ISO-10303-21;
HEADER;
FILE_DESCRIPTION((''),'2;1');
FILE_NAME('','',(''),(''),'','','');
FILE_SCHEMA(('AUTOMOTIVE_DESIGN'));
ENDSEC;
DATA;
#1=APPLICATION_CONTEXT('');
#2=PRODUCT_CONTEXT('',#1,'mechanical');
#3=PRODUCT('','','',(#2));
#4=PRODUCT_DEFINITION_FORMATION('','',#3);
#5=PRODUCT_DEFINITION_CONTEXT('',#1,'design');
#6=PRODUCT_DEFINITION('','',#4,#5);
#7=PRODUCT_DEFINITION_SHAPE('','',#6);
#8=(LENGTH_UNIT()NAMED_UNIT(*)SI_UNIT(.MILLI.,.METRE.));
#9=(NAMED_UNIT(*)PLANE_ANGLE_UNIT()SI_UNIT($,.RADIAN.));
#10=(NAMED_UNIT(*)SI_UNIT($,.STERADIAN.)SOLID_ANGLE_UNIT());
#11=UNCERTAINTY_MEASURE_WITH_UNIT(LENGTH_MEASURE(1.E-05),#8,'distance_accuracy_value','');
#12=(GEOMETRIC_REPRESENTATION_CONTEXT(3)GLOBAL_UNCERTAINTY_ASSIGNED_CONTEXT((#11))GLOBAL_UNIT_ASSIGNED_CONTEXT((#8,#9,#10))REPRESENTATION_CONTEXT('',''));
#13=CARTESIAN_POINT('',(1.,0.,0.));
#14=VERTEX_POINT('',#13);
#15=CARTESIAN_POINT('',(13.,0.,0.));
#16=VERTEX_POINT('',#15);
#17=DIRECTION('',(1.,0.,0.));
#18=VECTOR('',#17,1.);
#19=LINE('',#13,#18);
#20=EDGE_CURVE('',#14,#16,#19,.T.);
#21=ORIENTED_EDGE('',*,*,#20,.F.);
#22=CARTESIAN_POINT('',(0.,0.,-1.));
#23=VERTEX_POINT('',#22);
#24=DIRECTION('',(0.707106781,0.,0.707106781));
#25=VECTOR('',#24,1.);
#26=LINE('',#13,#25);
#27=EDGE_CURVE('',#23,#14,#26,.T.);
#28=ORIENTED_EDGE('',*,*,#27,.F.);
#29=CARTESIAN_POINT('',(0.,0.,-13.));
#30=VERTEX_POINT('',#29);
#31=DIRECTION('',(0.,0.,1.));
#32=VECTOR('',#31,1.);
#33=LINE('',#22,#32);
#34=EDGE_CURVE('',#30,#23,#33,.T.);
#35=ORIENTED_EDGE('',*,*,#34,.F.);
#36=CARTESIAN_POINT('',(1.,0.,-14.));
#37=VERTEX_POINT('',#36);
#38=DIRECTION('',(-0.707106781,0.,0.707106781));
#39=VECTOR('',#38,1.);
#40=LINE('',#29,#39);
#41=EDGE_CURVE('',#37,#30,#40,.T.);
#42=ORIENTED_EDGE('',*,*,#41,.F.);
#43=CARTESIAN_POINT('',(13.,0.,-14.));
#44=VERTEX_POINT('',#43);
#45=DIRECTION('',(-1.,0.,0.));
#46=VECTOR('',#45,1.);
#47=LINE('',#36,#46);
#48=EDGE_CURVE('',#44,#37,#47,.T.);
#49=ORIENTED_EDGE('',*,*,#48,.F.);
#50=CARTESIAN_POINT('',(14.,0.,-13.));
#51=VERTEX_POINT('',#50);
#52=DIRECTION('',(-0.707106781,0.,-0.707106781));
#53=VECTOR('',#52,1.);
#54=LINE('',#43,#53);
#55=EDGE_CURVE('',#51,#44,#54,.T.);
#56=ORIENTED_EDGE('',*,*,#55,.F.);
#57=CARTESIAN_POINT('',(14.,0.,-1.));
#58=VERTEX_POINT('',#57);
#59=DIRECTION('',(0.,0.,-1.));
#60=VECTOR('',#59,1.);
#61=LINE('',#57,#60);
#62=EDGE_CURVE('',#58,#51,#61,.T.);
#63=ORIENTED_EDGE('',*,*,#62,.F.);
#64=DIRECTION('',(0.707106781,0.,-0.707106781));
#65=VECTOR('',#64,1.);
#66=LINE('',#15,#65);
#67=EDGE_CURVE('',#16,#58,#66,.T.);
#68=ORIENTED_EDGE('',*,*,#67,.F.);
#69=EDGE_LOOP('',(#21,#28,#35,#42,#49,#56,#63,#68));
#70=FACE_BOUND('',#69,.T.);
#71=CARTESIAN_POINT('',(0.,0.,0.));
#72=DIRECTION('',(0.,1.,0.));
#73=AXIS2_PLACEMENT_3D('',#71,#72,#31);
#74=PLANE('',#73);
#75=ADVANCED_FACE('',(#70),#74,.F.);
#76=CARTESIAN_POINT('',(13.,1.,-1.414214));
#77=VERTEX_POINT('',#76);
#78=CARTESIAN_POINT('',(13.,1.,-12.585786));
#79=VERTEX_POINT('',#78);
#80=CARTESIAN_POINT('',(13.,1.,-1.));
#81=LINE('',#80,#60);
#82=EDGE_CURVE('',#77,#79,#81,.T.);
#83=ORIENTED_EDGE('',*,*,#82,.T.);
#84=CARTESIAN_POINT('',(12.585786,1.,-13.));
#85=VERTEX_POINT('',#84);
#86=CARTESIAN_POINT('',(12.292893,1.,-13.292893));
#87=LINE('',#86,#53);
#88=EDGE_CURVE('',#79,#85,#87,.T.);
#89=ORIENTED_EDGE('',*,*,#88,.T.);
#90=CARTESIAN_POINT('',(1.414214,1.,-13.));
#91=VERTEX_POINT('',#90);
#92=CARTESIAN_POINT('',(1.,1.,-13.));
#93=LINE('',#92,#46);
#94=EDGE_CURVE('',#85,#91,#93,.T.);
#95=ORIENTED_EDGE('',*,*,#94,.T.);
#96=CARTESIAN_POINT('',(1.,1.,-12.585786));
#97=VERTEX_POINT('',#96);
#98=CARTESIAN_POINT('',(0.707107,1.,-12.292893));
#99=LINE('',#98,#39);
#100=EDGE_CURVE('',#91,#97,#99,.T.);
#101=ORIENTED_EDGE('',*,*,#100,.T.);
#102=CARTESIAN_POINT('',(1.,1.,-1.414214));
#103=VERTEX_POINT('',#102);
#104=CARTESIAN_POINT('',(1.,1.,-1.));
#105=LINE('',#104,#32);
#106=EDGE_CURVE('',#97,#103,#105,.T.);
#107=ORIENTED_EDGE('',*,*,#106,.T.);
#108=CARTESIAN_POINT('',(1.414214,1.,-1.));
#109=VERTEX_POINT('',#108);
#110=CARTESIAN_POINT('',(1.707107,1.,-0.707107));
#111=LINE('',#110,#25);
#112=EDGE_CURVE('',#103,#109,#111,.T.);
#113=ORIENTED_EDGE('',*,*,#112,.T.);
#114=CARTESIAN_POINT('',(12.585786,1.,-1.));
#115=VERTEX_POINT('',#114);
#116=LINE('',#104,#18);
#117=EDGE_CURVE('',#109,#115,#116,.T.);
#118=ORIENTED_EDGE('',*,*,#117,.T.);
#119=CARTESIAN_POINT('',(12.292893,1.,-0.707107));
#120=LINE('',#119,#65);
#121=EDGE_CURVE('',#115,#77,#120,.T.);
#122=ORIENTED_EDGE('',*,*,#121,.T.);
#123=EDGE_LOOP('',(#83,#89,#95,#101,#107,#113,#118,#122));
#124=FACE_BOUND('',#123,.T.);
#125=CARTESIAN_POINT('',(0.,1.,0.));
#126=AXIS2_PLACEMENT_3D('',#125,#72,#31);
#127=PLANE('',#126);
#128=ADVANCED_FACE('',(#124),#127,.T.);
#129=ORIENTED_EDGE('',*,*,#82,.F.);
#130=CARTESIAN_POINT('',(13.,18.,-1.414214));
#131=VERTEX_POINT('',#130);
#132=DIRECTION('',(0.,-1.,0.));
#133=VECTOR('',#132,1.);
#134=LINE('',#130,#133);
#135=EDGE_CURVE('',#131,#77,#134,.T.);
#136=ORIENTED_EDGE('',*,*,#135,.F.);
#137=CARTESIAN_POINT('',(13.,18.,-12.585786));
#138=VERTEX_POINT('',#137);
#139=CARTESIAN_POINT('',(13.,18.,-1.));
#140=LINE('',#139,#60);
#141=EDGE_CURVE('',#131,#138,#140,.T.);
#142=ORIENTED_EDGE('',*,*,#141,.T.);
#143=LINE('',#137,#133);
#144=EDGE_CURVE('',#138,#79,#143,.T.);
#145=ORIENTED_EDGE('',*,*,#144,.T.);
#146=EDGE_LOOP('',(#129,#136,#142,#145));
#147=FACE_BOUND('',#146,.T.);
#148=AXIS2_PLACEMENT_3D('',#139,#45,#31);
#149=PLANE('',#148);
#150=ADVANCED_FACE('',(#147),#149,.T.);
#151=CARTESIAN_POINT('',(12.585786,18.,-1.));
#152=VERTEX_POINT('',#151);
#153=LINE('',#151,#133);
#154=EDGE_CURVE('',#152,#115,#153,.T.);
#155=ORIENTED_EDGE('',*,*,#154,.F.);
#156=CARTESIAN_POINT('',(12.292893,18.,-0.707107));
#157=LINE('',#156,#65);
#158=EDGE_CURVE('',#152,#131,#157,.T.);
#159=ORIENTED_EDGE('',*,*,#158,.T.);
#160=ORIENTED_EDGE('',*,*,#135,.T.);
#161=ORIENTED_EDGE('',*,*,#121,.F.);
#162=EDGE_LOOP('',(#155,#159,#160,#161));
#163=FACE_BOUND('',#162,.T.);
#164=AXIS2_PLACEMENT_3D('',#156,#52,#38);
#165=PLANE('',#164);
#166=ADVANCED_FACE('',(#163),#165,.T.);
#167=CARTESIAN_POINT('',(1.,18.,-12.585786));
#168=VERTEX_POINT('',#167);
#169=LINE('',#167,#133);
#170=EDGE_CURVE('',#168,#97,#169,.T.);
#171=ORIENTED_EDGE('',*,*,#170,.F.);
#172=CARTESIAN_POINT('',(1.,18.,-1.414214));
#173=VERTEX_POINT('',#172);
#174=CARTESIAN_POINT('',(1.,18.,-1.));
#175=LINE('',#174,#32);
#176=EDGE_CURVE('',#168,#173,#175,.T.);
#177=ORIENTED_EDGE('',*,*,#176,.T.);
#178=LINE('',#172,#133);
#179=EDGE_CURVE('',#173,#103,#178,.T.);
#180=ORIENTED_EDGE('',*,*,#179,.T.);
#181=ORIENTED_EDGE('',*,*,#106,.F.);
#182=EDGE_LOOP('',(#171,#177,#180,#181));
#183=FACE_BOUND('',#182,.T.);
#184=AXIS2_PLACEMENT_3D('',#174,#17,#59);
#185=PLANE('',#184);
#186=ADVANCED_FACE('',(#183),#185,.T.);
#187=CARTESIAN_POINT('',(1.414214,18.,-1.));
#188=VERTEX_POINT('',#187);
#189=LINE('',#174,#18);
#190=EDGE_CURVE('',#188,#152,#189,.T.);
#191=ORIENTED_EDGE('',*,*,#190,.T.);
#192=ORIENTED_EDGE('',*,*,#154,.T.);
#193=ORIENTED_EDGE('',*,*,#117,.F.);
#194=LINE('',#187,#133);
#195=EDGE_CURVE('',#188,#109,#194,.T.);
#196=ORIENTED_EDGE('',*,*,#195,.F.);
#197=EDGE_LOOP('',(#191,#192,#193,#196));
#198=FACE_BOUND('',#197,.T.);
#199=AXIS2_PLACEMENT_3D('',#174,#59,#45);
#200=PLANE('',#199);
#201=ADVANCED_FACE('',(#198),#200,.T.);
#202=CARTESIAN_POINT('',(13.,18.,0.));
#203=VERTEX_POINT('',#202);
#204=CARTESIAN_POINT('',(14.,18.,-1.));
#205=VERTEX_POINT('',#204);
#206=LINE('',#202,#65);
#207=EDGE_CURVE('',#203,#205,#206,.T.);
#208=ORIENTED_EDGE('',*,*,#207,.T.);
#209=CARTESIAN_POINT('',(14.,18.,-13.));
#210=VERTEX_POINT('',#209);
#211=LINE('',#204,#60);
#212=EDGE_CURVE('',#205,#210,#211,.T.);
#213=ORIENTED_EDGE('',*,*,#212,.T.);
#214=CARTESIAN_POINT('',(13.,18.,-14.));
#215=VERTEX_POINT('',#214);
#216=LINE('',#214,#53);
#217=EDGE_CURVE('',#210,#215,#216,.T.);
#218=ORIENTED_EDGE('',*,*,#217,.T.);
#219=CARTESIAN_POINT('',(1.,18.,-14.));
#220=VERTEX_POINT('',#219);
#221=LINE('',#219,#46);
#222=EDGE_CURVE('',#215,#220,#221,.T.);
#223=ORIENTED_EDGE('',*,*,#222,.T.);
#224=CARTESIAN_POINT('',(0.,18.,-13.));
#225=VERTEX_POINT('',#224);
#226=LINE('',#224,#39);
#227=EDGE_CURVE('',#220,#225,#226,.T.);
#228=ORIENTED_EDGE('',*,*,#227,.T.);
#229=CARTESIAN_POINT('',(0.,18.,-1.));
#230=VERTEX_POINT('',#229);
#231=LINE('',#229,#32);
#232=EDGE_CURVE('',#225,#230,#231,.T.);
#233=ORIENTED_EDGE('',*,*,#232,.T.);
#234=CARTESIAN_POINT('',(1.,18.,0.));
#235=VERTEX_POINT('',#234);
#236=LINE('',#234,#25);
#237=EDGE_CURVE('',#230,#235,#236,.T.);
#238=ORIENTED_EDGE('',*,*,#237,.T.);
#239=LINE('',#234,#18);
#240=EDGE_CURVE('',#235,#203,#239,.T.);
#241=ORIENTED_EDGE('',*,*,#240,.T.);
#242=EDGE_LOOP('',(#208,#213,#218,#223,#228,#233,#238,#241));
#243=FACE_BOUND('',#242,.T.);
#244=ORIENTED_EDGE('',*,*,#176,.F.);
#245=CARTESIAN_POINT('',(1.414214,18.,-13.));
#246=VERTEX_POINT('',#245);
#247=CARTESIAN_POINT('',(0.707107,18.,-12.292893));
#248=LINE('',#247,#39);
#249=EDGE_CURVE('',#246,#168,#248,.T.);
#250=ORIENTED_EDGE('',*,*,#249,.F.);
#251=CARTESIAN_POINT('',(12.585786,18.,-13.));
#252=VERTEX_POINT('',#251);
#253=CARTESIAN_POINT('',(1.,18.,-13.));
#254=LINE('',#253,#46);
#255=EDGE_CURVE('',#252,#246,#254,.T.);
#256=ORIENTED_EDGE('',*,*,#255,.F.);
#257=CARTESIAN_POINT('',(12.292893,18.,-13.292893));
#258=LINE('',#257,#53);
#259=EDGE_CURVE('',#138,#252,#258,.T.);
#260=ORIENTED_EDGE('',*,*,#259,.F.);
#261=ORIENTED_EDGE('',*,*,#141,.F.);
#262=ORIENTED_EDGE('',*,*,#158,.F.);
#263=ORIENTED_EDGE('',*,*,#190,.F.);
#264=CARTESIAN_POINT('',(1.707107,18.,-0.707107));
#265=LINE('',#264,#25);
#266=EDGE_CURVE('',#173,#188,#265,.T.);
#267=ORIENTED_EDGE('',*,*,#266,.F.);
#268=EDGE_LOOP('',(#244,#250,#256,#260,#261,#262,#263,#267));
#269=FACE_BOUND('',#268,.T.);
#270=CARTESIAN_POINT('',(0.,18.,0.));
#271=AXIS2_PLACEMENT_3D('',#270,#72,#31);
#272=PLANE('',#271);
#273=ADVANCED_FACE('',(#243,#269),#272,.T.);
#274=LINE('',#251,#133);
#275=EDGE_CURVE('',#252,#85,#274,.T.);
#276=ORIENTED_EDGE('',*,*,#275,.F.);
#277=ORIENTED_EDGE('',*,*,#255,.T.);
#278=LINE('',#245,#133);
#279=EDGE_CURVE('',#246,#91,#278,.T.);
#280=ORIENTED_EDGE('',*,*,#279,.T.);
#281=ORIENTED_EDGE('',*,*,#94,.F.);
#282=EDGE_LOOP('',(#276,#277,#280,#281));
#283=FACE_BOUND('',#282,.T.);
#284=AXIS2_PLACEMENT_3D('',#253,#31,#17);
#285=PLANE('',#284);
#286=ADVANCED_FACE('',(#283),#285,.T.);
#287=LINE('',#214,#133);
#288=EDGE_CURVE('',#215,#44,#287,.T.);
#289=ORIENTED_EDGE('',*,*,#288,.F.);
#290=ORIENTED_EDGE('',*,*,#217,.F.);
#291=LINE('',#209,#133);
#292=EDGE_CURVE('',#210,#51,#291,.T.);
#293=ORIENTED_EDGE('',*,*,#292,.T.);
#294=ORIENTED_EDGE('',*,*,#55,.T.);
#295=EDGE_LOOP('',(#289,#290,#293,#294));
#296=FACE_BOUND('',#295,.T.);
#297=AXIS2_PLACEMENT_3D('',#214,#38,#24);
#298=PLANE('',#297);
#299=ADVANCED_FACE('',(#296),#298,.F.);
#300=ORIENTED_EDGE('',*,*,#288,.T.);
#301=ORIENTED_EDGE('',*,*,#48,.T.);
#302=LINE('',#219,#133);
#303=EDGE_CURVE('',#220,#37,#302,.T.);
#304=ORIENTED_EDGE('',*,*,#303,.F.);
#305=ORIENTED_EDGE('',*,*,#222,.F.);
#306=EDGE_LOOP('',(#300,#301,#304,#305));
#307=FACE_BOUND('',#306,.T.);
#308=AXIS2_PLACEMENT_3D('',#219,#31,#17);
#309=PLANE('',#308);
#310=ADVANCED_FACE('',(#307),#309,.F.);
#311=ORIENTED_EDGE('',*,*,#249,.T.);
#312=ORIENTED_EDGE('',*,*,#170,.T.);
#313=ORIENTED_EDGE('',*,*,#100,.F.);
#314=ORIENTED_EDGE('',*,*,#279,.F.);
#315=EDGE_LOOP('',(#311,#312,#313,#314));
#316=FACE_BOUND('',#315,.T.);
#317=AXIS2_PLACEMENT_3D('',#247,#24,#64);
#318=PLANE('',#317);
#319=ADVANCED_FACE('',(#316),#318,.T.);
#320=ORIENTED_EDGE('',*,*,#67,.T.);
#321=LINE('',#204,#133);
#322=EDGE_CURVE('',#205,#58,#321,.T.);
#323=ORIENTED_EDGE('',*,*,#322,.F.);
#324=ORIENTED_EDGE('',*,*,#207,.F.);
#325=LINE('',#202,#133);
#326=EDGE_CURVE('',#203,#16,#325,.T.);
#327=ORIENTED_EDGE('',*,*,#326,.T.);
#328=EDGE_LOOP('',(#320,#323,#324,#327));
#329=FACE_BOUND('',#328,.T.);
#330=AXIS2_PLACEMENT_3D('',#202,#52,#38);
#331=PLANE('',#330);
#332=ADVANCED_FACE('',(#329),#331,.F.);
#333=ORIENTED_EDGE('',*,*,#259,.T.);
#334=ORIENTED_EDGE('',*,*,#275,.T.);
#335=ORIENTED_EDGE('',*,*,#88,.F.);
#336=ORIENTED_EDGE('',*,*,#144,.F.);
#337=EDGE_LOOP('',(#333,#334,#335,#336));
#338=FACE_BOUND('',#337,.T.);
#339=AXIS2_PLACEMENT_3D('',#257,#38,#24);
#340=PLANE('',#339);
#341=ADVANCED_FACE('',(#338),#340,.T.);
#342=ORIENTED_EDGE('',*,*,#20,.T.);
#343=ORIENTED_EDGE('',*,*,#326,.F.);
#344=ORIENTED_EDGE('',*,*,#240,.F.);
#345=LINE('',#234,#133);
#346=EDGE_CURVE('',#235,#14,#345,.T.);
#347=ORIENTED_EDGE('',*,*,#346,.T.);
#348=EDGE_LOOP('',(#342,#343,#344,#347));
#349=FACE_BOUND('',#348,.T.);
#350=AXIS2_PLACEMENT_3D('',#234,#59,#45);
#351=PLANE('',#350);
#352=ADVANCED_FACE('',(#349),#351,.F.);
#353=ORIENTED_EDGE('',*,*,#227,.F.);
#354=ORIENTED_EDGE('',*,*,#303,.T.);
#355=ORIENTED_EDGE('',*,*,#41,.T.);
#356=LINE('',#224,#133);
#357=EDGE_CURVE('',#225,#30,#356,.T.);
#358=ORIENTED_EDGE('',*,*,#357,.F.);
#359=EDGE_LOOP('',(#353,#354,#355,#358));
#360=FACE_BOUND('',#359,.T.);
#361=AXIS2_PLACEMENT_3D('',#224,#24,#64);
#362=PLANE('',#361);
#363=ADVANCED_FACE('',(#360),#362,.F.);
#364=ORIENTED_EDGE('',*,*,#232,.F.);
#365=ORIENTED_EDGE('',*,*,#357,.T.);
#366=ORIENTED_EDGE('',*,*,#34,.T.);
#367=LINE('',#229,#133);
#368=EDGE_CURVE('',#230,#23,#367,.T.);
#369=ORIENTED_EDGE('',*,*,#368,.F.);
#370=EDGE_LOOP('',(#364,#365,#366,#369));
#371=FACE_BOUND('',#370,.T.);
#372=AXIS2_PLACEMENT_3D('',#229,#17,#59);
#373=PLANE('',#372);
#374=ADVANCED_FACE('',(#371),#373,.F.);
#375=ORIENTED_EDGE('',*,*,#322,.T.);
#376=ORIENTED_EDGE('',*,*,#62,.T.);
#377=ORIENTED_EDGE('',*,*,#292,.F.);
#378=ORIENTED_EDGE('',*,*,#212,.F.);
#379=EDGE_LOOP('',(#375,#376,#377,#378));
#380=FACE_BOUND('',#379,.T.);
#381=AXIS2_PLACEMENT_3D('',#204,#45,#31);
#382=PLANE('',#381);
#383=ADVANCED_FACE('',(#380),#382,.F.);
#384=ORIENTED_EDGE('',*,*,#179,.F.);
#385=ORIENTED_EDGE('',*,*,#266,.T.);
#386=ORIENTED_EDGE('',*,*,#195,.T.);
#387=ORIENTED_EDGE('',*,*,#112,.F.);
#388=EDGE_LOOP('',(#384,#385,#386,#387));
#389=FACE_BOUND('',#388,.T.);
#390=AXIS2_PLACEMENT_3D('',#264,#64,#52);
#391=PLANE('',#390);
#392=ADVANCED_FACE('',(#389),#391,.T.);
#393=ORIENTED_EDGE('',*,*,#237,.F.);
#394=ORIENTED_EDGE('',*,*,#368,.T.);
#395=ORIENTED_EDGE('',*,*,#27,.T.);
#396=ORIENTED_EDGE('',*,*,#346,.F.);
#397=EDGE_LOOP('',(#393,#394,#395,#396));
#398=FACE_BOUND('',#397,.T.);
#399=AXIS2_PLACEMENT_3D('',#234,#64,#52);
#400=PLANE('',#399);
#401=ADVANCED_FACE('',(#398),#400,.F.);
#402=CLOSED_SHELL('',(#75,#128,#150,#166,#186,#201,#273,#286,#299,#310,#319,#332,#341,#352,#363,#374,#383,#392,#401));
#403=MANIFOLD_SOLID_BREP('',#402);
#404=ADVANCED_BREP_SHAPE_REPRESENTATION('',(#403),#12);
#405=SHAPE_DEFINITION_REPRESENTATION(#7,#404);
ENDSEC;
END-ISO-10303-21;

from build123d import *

# Parameters (mm, degrees)
BOSS_EXTRUDE1_DEPTH = 18
SHELL4_T            = -1


with BuildPart() as part:
    # Sketch1 → Boss-Extrude1 (new body)
    with BuildSketch(Plane(origin=(0, 0, 0), x_dir=(1, 0, 0), z_dir=(0, 1, 0))):
        Polygon((0, 13), (1, 14), (13, 14), (14, 13), (14, 1), (13, 0), (1, 0), (0, 1), align=None)
    extrude(amount=BOSS_EXTRUDE1_DEPTH)

    # Shell4
    shell4_openings = [part.faces().sort_by_distance(p)[0] for p in [
        (7, 18, -7),
    ]]
    offset(amount=SHELL4_T, openings=shell4_openings, kind=Kind.INTERSECTION)


solid = part.part
